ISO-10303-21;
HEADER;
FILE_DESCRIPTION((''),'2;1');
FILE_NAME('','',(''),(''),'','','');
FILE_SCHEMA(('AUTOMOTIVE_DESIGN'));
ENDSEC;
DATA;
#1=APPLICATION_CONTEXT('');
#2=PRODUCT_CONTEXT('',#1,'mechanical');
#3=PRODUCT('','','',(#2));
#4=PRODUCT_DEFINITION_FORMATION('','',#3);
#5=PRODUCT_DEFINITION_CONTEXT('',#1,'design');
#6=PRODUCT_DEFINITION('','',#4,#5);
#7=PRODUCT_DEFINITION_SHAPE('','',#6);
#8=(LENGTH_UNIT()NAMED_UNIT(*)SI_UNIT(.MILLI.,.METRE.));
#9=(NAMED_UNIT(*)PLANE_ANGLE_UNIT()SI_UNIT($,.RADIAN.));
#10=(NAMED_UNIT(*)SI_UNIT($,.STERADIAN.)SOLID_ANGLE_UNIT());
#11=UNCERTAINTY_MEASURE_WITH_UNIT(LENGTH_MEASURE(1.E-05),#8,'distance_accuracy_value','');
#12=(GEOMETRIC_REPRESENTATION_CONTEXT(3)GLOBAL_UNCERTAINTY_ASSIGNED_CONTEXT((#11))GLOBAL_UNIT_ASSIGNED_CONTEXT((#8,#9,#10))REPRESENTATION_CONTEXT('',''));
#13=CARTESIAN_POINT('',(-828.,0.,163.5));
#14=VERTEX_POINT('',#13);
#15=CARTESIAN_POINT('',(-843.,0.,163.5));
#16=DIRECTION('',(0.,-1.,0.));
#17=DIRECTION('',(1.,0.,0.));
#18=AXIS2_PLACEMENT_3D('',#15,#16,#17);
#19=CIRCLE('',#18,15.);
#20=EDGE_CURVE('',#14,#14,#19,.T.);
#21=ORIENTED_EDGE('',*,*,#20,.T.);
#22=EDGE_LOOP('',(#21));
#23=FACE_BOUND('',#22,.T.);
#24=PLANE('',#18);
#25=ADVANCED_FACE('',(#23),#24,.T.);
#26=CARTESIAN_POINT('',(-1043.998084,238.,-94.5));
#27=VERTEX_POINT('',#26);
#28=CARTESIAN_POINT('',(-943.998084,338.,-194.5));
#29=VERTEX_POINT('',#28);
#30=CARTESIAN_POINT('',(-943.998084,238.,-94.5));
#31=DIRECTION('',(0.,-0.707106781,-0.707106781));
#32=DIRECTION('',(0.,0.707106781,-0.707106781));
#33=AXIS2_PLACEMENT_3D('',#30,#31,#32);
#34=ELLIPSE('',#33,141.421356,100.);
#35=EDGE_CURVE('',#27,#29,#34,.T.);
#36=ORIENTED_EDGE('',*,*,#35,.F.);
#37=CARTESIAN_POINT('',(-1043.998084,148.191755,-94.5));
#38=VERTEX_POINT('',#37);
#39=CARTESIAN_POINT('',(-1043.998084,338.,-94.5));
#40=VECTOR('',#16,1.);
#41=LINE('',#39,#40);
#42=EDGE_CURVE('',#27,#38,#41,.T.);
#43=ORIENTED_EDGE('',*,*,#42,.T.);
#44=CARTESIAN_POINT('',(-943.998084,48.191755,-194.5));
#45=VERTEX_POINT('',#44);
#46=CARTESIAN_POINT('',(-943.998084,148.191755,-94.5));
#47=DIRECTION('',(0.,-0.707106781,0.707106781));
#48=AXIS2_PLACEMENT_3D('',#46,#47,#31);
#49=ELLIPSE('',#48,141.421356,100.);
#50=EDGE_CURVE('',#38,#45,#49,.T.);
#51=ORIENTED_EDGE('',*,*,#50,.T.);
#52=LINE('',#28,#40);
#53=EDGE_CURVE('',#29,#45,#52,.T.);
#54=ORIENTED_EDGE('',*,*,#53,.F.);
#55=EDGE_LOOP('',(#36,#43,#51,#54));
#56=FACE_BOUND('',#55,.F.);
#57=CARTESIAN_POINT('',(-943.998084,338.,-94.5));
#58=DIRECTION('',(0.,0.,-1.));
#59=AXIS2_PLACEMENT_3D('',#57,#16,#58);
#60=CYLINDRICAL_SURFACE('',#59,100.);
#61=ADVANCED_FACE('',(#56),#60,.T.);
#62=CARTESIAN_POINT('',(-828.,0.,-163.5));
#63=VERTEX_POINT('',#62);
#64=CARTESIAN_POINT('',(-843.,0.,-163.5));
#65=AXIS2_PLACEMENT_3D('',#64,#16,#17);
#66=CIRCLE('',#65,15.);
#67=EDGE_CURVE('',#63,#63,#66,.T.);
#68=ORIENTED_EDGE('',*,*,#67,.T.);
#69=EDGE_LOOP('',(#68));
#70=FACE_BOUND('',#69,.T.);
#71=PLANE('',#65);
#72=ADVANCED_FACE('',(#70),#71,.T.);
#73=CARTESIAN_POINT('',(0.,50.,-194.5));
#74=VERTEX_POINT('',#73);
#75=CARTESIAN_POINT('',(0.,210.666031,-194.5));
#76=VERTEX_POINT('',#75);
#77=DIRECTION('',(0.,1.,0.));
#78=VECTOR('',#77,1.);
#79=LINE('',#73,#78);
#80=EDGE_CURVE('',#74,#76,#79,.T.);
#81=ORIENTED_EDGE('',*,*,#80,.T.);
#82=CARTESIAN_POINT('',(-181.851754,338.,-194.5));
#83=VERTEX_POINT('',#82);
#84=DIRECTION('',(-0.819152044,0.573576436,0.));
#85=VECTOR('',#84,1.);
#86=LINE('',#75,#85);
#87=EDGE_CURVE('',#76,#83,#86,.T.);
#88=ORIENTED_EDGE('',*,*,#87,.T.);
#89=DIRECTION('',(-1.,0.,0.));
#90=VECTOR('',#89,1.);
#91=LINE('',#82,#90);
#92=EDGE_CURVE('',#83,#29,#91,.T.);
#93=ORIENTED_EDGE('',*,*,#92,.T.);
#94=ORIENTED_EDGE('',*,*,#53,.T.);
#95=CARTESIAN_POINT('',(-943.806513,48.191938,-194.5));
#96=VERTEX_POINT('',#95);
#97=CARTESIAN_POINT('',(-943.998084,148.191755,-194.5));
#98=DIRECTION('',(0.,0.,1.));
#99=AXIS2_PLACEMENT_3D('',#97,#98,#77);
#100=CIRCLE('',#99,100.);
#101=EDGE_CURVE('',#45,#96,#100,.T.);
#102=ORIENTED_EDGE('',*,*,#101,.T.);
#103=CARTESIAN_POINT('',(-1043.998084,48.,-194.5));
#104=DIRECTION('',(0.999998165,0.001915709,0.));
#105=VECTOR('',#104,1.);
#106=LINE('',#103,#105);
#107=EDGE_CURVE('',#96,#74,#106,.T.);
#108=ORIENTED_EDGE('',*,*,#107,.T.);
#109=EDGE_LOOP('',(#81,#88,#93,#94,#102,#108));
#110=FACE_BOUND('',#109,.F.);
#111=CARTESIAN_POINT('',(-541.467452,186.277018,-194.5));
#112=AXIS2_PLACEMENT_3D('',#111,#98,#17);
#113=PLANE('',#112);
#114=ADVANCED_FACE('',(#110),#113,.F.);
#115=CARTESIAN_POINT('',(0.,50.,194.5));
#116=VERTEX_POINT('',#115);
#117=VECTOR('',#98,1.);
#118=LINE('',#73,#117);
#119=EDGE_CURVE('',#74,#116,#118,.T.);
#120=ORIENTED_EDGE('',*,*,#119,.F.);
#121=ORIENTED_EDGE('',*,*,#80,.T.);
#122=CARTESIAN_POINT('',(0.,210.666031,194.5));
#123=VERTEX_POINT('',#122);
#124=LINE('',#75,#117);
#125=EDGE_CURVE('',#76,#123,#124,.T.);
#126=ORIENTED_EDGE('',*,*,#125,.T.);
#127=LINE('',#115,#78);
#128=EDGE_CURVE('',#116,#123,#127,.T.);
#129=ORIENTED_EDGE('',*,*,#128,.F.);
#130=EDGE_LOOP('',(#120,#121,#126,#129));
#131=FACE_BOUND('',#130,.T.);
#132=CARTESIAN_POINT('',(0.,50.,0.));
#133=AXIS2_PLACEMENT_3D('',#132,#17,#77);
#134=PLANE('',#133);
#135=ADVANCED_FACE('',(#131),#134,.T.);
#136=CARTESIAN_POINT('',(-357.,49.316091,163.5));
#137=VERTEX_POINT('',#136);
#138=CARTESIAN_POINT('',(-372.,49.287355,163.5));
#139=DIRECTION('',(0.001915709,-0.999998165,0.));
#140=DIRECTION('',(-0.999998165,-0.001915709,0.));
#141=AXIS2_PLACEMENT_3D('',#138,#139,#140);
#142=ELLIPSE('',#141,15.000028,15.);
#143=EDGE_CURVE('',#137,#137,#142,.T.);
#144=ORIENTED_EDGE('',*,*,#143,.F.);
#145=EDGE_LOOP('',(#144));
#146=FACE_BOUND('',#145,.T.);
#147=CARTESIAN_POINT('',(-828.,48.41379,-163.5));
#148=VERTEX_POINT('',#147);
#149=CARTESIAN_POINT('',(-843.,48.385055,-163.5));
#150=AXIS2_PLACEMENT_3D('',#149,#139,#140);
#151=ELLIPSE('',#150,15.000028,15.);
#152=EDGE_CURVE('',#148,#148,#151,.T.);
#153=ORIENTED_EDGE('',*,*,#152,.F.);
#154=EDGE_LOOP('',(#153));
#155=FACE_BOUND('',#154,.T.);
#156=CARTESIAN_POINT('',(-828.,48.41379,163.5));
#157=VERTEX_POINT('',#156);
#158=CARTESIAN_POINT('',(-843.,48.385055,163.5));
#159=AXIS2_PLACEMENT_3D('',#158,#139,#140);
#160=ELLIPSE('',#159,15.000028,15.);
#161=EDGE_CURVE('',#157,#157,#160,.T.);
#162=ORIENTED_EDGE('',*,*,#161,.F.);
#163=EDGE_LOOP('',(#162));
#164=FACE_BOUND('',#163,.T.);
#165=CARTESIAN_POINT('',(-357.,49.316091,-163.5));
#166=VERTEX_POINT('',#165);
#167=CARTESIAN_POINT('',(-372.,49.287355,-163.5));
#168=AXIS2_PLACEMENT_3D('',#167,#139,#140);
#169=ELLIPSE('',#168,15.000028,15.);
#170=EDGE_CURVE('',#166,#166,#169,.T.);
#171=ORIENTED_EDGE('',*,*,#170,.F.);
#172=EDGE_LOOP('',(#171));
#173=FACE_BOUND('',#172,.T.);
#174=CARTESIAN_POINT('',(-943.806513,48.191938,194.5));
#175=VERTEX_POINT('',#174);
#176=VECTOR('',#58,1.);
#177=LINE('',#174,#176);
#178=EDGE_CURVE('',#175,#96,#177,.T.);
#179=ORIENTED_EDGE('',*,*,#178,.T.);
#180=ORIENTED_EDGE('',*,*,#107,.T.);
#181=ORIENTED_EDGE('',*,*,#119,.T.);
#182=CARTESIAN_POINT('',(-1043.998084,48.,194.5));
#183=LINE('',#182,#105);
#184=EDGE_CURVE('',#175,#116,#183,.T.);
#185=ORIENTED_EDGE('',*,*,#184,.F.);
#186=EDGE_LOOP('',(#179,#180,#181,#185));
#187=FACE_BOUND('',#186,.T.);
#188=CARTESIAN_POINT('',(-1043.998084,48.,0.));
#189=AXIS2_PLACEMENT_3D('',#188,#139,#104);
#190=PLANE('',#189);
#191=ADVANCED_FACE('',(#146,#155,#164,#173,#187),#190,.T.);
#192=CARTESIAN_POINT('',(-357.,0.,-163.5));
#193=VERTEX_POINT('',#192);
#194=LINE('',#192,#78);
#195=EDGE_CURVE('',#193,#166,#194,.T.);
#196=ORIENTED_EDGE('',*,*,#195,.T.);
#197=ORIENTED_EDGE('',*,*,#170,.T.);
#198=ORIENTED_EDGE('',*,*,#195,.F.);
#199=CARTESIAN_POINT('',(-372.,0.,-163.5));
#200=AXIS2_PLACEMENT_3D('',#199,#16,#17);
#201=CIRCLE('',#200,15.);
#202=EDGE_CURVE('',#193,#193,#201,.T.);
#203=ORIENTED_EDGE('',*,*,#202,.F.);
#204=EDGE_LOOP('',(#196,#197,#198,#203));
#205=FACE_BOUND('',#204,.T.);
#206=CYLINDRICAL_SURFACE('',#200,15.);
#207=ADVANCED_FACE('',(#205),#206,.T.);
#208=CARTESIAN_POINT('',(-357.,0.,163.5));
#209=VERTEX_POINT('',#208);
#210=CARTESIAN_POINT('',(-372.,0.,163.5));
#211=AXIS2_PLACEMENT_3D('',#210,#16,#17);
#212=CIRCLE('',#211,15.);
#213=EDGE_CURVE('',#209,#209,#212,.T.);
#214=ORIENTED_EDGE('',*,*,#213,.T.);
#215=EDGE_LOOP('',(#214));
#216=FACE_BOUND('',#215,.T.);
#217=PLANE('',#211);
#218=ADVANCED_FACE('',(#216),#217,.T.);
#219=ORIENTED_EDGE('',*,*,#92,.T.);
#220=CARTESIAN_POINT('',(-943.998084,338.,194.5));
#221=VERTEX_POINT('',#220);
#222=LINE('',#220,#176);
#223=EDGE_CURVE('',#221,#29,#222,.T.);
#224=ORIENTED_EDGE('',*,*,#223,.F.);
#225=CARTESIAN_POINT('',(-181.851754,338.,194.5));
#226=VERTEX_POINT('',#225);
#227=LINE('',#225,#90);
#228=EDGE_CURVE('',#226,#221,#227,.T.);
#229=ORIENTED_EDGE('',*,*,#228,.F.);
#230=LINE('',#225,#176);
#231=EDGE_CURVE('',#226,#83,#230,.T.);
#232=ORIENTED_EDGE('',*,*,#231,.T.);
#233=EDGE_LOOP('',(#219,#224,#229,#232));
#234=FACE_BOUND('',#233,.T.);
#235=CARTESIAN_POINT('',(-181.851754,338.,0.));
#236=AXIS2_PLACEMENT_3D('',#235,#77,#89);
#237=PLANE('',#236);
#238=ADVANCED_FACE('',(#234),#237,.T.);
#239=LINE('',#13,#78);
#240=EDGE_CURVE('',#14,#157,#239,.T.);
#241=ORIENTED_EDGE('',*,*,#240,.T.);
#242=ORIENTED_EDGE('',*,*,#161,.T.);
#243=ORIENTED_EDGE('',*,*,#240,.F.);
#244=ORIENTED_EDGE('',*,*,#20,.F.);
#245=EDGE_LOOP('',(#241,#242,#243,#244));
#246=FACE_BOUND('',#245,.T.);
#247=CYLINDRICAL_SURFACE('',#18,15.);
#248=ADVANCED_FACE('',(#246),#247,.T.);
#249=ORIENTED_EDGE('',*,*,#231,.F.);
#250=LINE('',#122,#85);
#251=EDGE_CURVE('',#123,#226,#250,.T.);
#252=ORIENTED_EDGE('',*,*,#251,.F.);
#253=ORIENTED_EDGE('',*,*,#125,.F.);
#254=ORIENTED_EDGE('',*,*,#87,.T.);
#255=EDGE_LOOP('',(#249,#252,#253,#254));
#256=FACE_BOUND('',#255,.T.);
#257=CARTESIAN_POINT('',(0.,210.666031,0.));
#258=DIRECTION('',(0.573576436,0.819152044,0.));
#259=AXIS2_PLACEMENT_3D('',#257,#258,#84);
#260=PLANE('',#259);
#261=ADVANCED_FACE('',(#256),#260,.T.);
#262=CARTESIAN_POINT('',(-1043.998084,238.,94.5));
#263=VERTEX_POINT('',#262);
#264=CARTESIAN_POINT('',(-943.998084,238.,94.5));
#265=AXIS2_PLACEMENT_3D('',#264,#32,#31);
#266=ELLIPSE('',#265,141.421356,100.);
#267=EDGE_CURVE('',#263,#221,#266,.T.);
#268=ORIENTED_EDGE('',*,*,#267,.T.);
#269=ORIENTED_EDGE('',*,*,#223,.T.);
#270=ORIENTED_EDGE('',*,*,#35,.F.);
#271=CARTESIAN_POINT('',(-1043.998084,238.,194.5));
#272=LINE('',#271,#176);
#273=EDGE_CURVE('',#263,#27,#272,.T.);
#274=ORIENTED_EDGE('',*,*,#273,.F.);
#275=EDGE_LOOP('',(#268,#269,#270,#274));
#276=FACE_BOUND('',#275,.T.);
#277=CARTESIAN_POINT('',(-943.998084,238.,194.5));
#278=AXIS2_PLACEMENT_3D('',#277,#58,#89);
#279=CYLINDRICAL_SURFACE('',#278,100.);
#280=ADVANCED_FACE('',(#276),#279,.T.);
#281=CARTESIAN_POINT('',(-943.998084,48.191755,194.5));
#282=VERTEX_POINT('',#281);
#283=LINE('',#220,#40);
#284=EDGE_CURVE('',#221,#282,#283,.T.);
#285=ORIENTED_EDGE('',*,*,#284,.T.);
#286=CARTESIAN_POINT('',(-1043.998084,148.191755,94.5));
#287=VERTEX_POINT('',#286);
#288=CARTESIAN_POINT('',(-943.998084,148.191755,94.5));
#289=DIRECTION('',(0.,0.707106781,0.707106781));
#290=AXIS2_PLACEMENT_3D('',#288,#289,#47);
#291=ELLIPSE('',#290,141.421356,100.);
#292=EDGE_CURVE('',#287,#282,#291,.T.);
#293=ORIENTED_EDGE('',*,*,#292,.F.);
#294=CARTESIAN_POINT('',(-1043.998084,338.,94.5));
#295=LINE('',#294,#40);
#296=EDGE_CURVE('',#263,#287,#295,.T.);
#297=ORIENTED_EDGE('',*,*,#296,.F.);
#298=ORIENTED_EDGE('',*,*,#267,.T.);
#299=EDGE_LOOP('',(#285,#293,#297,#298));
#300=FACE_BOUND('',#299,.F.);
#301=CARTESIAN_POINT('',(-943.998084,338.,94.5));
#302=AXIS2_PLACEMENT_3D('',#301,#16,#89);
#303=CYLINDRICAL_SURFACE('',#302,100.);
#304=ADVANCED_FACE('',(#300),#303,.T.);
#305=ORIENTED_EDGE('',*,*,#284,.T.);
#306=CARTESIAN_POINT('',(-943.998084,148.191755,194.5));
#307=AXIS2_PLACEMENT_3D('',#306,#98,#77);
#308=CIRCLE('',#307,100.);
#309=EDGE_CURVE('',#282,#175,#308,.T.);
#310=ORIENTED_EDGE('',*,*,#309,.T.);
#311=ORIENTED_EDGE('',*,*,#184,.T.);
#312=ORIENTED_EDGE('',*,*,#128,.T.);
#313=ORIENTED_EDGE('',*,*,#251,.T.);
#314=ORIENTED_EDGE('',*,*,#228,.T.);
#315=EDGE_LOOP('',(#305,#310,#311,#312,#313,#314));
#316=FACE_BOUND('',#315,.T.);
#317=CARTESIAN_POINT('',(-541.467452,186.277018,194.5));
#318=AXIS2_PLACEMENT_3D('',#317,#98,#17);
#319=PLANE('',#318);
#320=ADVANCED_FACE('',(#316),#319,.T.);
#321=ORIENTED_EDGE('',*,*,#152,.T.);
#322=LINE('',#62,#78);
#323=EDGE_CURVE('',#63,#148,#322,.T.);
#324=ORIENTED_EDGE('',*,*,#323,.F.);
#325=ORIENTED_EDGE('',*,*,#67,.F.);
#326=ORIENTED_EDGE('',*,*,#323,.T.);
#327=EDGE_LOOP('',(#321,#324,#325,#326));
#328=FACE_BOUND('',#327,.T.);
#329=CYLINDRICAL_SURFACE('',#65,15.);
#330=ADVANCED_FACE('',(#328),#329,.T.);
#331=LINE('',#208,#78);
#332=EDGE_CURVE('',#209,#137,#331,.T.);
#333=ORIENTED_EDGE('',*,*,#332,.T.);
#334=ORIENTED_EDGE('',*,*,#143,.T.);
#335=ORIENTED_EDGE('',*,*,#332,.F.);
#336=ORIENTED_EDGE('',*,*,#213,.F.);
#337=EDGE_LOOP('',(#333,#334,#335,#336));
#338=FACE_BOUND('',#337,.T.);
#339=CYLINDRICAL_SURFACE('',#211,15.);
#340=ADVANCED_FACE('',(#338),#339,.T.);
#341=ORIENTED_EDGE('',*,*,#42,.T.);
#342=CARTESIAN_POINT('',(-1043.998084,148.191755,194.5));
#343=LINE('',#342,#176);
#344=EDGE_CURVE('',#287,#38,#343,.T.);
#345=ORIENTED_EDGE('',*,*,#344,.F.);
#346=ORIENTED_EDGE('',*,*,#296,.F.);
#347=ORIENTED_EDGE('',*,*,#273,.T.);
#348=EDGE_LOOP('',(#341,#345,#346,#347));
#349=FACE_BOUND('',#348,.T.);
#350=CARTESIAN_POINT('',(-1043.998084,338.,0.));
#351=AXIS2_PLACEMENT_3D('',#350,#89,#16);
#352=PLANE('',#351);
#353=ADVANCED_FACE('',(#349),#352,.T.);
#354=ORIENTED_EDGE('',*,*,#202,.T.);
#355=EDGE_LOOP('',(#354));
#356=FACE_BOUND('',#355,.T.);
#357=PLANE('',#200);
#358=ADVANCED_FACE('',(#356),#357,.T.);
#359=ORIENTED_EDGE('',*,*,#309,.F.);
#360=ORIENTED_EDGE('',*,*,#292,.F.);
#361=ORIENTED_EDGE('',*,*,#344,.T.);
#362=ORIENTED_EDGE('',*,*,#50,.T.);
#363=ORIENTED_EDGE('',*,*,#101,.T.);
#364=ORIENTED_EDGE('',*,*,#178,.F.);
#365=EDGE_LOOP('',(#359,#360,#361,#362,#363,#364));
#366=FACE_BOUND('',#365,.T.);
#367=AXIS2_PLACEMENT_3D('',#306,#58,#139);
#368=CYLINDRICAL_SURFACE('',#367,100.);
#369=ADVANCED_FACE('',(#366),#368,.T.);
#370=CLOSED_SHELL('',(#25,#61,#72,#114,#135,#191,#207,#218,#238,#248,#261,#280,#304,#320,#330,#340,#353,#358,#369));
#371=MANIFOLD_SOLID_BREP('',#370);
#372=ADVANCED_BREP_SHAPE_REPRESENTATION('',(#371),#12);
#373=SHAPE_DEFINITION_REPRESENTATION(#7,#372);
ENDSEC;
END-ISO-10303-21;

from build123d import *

# Parameters (mm, degrees)
F1_DEPTH = 194.5
F2_DEPTH = 194.5
F3_R     = 15
F5_R     = 100


with BuildPart() as f1:
    # F0 (on Top) → F1 (new body)
    with BuildSketch(Plane.XY):
        Polygon((-1043.9980842894, 48), (0, 50), (0, 210.6660311301), (-181.8517538322, 338), (-1043.9980842894, 338), (-1043.9980842894, 50), align=None)
    extrude(amount=F1_DEPTH)

    # F0 (on Top) → F2 (join)
    with BuildSketch(Plane.XY):
        Polygon((-1043.9980842894, 48), (0, 50), (0, 210.6660311301), (-181.8517538322, 338), (-1043.9980842894, 338), (-1043.9980842894, 50), align=None)
    extrude(amount=-F2_DEPTH)

    # F3 (on Front) → F4 (join, up to the next surface of F1)
    with BuildSketch(Plane.XZ):
        with Locations((-843, 163.5)):
            Circle(F3_R)
        with Locations((-843, -163.5)):
            Circle(F3_R)
        with Locations((-372, 163.5)):
            Circle(F3_R)
        with Locations((-372, -163.5)):
            Circle(F3_R)
    extrude(until=Until.NEXT, dir=(0, 1, 0))

    # F5
    f5_edges = [f1.edges().sort_by_distance(p)[0] for p in [
        (-1043.998084, 338, 0),
        (-1043.998084, 193, 194.5),
        (-1043.998084, 48, 0),
        (-1043.998084, 193, -194.5),
    ]]
    fillet(f5_edges, radius=F5_R)


solid = f1.part
